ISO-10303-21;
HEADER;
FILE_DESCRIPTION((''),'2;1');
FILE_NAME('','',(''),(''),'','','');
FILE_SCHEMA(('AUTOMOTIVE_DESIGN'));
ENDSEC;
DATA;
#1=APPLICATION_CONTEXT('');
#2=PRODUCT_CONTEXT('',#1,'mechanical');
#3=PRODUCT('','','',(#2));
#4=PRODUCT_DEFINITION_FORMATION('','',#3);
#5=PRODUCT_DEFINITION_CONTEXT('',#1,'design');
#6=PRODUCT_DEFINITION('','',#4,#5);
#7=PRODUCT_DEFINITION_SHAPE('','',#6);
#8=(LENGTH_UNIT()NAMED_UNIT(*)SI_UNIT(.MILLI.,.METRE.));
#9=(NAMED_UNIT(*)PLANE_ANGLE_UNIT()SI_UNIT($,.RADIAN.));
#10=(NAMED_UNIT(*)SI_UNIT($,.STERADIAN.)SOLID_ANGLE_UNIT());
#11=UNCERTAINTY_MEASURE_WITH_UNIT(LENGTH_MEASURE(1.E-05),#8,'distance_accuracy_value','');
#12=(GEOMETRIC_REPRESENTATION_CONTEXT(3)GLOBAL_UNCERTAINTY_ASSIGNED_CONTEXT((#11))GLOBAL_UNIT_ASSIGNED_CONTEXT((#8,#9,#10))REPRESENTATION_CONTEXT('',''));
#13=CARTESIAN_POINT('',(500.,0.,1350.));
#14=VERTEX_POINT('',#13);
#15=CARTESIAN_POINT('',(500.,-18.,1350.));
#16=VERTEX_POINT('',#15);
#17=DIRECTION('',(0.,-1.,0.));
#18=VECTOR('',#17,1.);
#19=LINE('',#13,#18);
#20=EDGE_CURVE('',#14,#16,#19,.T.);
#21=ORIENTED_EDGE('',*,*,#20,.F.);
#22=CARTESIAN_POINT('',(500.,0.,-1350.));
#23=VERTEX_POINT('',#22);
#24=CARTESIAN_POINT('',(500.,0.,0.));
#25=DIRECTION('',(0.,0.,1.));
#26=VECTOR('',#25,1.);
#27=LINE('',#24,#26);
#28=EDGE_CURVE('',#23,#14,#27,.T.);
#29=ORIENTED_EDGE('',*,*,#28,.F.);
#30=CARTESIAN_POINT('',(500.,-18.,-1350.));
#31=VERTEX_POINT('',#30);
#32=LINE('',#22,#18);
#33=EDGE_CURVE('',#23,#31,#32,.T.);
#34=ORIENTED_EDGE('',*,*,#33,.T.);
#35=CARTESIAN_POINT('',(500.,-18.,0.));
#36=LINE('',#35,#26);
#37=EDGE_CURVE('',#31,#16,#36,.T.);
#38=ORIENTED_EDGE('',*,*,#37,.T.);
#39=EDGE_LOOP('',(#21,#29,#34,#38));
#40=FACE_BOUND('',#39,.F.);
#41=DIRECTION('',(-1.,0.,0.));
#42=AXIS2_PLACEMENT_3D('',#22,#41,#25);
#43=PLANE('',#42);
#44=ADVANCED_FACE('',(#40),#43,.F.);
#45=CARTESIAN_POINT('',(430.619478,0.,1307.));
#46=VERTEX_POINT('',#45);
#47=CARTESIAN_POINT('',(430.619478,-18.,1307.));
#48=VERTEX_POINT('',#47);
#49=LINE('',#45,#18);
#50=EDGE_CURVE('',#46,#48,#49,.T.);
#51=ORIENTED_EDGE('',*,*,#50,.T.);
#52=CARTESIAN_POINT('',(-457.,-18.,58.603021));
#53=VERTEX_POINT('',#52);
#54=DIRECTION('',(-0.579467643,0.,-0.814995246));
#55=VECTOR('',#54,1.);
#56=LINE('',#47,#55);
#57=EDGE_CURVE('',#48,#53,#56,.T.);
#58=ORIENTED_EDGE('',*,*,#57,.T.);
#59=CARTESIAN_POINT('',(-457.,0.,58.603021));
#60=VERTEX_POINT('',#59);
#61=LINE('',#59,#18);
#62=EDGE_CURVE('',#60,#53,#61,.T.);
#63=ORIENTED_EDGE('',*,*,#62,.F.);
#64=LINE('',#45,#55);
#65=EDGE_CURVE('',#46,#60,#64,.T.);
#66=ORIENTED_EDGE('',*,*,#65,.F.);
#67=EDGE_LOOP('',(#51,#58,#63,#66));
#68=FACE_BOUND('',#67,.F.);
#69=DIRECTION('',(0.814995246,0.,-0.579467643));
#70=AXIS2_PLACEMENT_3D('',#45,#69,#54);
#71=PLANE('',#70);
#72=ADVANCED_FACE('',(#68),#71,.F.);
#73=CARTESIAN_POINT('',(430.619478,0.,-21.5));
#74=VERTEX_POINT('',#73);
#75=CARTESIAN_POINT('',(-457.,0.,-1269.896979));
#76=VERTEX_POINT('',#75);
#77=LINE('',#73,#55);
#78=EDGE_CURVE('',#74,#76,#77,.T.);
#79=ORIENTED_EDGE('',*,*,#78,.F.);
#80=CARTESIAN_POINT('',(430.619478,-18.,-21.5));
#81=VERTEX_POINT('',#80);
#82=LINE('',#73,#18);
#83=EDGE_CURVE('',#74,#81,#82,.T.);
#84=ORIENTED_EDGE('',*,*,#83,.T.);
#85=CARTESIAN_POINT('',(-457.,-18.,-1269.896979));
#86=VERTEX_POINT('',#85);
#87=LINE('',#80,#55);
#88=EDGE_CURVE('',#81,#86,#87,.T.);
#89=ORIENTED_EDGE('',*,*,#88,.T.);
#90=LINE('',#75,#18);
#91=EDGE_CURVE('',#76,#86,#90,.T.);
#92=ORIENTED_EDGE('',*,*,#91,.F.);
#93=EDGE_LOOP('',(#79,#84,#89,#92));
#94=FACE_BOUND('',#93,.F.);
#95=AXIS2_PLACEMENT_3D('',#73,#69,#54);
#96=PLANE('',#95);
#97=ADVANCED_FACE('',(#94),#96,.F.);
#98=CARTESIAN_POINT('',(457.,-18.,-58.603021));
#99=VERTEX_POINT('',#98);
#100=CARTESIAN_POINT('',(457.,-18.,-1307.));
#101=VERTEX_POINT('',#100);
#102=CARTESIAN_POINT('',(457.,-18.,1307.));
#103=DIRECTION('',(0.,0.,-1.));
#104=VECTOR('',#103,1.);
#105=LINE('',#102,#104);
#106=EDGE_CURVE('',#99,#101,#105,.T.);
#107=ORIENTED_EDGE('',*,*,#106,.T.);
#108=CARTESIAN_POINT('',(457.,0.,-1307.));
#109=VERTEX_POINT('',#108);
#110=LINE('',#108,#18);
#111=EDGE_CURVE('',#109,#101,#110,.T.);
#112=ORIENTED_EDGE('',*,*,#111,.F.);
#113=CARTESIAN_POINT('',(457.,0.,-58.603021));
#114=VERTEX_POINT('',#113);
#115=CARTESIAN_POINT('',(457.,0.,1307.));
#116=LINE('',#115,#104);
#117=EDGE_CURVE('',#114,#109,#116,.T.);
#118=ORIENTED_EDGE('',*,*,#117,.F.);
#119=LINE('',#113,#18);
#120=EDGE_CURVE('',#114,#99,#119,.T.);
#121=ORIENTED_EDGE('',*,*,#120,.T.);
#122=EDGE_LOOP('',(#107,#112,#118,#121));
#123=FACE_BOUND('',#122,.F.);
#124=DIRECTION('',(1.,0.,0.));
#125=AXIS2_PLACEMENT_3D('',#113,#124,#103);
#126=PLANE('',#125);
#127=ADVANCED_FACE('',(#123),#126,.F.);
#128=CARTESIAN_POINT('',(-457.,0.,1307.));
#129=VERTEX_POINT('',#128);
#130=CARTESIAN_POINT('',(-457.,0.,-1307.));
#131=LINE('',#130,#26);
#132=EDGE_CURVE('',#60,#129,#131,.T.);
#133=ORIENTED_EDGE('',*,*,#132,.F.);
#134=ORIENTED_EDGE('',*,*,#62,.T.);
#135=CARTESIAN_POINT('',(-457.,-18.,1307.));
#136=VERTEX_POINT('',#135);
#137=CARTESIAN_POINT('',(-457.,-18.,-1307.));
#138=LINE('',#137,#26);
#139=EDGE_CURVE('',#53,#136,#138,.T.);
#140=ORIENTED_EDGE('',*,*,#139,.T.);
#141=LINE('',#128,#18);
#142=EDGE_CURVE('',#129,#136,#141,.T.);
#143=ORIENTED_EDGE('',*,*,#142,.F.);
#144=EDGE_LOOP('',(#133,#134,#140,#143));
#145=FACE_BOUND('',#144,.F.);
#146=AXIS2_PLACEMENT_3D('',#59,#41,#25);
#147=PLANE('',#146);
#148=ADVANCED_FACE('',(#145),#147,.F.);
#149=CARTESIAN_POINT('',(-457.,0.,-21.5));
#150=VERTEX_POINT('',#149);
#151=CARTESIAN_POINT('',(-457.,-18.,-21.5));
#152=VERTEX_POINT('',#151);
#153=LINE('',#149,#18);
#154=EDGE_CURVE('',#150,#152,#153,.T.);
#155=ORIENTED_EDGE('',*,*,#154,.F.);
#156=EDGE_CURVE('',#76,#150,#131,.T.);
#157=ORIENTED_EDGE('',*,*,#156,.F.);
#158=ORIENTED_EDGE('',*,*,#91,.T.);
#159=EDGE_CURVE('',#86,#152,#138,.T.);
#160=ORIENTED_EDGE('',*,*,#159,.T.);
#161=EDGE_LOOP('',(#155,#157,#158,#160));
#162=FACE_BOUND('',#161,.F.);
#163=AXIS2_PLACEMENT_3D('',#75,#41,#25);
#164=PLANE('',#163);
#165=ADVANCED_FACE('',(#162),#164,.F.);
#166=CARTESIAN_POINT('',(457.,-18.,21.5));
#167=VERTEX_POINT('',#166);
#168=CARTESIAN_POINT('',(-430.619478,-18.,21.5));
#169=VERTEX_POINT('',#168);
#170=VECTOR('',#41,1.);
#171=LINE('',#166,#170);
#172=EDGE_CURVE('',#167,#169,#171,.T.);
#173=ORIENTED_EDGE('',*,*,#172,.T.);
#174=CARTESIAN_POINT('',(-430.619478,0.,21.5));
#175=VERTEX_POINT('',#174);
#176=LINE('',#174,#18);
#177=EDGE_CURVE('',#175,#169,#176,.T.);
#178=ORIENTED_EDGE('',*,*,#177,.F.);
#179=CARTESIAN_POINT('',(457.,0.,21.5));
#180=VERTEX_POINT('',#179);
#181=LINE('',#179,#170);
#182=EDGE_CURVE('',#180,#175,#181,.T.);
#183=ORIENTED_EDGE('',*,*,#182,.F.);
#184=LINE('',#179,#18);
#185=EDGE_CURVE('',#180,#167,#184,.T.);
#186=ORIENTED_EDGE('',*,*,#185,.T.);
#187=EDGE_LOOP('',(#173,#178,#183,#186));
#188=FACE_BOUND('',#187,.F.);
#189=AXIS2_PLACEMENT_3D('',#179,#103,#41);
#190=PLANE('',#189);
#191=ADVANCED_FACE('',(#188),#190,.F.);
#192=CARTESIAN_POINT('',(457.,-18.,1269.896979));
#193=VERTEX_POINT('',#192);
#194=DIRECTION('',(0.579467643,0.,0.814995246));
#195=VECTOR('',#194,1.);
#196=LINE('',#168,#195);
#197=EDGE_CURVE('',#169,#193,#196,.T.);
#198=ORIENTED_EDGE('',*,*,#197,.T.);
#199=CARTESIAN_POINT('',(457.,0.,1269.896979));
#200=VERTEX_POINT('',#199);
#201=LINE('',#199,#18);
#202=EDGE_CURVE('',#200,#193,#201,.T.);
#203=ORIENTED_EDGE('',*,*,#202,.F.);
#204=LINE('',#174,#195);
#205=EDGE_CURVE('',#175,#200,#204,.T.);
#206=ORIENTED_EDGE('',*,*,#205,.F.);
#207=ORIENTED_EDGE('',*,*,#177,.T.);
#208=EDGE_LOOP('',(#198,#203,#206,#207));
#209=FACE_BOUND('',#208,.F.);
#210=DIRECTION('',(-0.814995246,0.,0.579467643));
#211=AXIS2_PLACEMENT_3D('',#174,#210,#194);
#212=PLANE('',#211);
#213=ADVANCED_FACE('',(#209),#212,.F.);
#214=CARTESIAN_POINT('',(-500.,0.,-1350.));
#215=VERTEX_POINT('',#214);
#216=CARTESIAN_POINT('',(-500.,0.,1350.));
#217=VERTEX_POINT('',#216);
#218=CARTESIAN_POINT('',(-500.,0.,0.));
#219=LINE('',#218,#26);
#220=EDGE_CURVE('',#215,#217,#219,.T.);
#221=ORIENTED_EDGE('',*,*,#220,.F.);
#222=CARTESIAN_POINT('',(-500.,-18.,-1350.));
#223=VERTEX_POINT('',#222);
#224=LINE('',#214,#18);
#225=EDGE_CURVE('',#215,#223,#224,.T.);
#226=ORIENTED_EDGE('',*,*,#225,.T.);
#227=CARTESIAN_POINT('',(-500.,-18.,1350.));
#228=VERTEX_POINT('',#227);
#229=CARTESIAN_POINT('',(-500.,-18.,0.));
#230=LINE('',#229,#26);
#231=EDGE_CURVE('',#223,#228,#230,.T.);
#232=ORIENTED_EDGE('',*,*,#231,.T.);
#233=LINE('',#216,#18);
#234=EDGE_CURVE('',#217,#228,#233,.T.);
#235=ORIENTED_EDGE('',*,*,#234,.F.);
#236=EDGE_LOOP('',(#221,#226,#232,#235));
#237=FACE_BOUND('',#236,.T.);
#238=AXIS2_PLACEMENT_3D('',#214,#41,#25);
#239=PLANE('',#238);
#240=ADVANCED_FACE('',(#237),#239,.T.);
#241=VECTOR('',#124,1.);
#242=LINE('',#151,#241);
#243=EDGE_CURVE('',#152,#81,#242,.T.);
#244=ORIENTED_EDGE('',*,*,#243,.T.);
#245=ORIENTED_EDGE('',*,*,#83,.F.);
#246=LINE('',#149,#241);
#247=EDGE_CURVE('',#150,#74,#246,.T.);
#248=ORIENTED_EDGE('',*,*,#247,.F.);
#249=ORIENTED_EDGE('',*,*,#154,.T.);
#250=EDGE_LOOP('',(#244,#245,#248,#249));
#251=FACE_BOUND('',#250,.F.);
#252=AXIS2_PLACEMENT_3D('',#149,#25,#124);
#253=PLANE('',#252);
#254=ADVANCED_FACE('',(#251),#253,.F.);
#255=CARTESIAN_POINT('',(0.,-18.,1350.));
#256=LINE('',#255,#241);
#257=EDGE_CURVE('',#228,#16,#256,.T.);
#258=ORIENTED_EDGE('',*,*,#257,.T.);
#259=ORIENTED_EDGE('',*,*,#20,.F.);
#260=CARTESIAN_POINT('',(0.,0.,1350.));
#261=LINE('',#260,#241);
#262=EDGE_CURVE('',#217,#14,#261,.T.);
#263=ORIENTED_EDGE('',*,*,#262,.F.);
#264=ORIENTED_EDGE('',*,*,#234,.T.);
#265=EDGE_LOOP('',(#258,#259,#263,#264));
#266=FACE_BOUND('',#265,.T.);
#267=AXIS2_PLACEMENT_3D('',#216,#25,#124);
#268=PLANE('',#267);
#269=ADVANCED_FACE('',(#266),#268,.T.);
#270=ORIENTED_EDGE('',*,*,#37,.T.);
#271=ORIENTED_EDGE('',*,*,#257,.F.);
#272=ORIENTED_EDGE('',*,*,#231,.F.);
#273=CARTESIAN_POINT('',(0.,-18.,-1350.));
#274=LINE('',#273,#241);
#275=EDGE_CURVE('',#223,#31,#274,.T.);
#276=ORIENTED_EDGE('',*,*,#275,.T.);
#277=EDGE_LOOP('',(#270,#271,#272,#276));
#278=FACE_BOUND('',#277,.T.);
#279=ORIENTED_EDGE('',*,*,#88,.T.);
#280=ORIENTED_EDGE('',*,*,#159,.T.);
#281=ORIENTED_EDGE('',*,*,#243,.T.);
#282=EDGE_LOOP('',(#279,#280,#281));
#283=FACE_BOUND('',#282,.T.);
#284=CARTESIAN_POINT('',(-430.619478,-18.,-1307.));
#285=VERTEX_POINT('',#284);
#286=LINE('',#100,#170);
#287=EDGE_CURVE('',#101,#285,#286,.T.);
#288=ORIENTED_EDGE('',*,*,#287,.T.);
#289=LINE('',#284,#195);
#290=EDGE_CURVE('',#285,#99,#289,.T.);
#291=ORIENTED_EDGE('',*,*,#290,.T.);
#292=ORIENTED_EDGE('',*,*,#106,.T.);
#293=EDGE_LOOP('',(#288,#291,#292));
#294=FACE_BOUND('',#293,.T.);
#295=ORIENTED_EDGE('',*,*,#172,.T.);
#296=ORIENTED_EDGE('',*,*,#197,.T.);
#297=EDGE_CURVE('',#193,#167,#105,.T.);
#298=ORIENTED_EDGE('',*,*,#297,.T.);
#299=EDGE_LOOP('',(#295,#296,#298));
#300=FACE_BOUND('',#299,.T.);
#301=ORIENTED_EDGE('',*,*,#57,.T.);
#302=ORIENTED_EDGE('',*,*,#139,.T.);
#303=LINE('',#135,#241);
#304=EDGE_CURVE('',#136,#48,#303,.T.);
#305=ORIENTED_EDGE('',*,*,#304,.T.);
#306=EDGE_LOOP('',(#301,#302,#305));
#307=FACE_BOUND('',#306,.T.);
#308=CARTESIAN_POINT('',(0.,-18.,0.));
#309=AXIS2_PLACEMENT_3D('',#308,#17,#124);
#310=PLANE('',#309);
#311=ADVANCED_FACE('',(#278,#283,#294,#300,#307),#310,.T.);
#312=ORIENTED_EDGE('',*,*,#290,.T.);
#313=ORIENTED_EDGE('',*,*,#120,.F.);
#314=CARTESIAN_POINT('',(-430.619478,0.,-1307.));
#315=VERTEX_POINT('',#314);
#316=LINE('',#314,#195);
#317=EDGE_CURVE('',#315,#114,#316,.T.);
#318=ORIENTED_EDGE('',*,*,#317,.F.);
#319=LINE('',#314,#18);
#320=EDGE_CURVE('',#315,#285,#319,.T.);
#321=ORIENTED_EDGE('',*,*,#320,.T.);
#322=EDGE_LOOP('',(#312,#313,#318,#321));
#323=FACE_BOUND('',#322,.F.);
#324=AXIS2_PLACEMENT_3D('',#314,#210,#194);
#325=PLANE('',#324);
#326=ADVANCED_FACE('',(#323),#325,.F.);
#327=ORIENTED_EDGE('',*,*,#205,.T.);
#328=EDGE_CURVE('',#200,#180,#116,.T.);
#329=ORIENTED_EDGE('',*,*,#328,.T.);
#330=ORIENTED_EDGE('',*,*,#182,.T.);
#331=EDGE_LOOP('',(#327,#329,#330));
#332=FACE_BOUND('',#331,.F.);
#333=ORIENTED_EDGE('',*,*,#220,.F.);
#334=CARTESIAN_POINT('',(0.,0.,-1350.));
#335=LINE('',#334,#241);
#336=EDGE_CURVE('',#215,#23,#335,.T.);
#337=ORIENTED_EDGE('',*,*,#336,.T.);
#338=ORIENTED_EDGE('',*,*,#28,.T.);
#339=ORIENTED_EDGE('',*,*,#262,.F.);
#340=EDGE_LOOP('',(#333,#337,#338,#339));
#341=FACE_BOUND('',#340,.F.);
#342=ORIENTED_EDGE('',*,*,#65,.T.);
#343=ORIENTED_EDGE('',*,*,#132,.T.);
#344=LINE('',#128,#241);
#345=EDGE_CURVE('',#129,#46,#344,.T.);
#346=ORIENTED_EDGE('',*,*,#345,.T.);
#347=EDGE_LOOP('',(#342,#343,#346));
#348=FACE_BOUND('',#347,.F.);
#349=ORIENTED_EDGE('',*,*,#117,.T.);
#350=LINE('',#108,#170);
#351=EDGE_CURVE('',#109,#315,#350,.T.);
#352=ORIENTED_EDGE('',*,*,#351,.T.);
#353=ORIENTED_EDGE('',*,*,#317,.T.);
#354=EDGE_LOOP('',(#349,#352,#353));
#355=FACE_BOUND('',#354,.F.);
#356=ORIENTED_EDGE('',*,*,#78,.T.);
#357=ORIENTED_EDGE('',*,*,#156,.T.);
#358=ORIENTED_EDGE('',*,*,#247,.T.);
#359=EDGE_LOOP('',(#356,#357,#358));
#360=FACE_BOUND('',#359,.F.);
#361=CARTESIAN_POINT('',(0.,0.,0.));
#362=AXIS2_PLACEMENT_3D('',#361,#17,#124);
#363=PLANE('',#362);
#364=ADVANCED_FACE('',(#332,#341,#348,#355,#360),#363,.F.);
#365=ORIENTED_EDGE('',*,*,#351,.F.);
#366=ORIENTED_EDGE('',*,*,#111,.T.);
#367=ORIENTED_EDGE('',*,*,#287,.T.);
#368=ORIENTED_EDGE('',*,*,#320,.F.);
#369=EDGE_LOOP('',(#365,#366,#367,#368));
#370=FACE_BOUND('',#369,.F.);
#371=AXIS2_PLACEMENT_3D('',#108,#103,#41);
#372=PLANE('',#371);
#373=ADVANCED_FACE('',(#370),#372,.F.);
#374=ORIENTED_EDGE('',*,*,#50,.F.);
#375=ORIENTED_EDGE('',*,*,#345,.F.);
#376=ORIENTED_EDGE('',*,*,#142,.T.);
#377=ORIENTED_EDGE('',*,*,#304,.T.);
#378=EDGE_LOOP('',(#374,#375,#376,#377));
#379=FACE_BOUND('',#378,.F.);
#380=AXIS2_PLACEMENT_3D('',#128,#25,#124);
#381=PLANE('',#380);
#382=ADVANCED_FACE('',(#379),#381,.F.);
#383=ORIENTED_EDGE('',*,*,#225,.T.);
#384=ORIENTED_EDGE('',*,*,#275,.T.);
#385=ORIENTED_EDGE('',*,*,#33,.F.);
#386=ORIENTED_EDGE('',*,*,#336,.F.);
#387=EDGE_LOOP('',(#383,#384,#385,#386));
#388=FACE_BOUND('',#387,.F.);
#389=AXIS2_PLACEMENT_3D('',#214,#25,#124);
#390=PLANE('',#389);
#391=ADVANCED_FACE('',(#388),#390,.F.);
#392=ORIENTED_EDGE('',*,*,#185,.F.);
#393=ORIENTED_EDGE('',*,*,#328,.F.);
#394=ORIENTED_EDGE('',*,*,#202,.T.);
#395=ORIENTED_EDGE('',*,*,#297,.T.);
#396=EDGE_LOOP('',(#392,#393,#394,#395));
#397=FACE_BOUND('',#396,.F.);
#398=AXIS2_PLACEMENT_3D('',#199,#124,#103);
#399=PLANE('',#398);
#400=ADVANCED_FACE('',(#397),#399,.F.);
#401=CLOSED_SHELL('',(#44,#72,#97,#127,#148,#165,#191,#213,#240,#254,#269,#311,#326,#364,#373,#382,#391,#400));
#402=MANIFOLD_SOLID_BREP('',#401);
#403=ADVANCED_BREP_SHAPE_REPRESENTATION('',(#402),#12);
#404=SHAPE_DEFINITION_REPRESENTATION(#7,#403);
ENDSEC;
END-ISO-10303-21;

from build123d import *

# Parameters (mm, degrees)
F0_W     = 1000
F0_H     = 2700
F1_DEPTH = 18


with BuildPart() as f1:
    # F0 (on Front) → F1 (new body)
    with BuildSketch(Plane.XZ):
        Rectangle(F0_W, F0_H)
        Polygon((-457, 58.6030207938), (-457, 1307), (430.6194780198, 1307), (457, 1307), (457, 1269.8969792062), (457, 21.5), (457, -21.5), (457, -58.6030207938), (457, -1307), (-430.6194780198, -1307), (-457, -1307), (-457, -1269.8969792062), (-457, -21.5), (-457, 21.5), align=None, mode=Mode.SUBTRACT)
        Polygon((430.6194780198, -21.5), (-457, -1269.8969792062), (-457, -1307), (-430.6194780198, -1307), (457, -58.6030207938), (457, -21.5), align=None)
        Polygon((-430.6194780198, 21.5), (-457, 21.5), (-457, -21.5), (430.6194780198, -21.5), (457, -21.5), (457, 21.5), align=None)
        Polygon((457, 1307), (430.6194780198, 1307), (-457, 58.6030207938), (-457, 21.5), (-430.6194780198, 21.5), (457, 1269.8969792062), align=None)
    extrude(amount=F1_DEPTH)


solid = f1.part
